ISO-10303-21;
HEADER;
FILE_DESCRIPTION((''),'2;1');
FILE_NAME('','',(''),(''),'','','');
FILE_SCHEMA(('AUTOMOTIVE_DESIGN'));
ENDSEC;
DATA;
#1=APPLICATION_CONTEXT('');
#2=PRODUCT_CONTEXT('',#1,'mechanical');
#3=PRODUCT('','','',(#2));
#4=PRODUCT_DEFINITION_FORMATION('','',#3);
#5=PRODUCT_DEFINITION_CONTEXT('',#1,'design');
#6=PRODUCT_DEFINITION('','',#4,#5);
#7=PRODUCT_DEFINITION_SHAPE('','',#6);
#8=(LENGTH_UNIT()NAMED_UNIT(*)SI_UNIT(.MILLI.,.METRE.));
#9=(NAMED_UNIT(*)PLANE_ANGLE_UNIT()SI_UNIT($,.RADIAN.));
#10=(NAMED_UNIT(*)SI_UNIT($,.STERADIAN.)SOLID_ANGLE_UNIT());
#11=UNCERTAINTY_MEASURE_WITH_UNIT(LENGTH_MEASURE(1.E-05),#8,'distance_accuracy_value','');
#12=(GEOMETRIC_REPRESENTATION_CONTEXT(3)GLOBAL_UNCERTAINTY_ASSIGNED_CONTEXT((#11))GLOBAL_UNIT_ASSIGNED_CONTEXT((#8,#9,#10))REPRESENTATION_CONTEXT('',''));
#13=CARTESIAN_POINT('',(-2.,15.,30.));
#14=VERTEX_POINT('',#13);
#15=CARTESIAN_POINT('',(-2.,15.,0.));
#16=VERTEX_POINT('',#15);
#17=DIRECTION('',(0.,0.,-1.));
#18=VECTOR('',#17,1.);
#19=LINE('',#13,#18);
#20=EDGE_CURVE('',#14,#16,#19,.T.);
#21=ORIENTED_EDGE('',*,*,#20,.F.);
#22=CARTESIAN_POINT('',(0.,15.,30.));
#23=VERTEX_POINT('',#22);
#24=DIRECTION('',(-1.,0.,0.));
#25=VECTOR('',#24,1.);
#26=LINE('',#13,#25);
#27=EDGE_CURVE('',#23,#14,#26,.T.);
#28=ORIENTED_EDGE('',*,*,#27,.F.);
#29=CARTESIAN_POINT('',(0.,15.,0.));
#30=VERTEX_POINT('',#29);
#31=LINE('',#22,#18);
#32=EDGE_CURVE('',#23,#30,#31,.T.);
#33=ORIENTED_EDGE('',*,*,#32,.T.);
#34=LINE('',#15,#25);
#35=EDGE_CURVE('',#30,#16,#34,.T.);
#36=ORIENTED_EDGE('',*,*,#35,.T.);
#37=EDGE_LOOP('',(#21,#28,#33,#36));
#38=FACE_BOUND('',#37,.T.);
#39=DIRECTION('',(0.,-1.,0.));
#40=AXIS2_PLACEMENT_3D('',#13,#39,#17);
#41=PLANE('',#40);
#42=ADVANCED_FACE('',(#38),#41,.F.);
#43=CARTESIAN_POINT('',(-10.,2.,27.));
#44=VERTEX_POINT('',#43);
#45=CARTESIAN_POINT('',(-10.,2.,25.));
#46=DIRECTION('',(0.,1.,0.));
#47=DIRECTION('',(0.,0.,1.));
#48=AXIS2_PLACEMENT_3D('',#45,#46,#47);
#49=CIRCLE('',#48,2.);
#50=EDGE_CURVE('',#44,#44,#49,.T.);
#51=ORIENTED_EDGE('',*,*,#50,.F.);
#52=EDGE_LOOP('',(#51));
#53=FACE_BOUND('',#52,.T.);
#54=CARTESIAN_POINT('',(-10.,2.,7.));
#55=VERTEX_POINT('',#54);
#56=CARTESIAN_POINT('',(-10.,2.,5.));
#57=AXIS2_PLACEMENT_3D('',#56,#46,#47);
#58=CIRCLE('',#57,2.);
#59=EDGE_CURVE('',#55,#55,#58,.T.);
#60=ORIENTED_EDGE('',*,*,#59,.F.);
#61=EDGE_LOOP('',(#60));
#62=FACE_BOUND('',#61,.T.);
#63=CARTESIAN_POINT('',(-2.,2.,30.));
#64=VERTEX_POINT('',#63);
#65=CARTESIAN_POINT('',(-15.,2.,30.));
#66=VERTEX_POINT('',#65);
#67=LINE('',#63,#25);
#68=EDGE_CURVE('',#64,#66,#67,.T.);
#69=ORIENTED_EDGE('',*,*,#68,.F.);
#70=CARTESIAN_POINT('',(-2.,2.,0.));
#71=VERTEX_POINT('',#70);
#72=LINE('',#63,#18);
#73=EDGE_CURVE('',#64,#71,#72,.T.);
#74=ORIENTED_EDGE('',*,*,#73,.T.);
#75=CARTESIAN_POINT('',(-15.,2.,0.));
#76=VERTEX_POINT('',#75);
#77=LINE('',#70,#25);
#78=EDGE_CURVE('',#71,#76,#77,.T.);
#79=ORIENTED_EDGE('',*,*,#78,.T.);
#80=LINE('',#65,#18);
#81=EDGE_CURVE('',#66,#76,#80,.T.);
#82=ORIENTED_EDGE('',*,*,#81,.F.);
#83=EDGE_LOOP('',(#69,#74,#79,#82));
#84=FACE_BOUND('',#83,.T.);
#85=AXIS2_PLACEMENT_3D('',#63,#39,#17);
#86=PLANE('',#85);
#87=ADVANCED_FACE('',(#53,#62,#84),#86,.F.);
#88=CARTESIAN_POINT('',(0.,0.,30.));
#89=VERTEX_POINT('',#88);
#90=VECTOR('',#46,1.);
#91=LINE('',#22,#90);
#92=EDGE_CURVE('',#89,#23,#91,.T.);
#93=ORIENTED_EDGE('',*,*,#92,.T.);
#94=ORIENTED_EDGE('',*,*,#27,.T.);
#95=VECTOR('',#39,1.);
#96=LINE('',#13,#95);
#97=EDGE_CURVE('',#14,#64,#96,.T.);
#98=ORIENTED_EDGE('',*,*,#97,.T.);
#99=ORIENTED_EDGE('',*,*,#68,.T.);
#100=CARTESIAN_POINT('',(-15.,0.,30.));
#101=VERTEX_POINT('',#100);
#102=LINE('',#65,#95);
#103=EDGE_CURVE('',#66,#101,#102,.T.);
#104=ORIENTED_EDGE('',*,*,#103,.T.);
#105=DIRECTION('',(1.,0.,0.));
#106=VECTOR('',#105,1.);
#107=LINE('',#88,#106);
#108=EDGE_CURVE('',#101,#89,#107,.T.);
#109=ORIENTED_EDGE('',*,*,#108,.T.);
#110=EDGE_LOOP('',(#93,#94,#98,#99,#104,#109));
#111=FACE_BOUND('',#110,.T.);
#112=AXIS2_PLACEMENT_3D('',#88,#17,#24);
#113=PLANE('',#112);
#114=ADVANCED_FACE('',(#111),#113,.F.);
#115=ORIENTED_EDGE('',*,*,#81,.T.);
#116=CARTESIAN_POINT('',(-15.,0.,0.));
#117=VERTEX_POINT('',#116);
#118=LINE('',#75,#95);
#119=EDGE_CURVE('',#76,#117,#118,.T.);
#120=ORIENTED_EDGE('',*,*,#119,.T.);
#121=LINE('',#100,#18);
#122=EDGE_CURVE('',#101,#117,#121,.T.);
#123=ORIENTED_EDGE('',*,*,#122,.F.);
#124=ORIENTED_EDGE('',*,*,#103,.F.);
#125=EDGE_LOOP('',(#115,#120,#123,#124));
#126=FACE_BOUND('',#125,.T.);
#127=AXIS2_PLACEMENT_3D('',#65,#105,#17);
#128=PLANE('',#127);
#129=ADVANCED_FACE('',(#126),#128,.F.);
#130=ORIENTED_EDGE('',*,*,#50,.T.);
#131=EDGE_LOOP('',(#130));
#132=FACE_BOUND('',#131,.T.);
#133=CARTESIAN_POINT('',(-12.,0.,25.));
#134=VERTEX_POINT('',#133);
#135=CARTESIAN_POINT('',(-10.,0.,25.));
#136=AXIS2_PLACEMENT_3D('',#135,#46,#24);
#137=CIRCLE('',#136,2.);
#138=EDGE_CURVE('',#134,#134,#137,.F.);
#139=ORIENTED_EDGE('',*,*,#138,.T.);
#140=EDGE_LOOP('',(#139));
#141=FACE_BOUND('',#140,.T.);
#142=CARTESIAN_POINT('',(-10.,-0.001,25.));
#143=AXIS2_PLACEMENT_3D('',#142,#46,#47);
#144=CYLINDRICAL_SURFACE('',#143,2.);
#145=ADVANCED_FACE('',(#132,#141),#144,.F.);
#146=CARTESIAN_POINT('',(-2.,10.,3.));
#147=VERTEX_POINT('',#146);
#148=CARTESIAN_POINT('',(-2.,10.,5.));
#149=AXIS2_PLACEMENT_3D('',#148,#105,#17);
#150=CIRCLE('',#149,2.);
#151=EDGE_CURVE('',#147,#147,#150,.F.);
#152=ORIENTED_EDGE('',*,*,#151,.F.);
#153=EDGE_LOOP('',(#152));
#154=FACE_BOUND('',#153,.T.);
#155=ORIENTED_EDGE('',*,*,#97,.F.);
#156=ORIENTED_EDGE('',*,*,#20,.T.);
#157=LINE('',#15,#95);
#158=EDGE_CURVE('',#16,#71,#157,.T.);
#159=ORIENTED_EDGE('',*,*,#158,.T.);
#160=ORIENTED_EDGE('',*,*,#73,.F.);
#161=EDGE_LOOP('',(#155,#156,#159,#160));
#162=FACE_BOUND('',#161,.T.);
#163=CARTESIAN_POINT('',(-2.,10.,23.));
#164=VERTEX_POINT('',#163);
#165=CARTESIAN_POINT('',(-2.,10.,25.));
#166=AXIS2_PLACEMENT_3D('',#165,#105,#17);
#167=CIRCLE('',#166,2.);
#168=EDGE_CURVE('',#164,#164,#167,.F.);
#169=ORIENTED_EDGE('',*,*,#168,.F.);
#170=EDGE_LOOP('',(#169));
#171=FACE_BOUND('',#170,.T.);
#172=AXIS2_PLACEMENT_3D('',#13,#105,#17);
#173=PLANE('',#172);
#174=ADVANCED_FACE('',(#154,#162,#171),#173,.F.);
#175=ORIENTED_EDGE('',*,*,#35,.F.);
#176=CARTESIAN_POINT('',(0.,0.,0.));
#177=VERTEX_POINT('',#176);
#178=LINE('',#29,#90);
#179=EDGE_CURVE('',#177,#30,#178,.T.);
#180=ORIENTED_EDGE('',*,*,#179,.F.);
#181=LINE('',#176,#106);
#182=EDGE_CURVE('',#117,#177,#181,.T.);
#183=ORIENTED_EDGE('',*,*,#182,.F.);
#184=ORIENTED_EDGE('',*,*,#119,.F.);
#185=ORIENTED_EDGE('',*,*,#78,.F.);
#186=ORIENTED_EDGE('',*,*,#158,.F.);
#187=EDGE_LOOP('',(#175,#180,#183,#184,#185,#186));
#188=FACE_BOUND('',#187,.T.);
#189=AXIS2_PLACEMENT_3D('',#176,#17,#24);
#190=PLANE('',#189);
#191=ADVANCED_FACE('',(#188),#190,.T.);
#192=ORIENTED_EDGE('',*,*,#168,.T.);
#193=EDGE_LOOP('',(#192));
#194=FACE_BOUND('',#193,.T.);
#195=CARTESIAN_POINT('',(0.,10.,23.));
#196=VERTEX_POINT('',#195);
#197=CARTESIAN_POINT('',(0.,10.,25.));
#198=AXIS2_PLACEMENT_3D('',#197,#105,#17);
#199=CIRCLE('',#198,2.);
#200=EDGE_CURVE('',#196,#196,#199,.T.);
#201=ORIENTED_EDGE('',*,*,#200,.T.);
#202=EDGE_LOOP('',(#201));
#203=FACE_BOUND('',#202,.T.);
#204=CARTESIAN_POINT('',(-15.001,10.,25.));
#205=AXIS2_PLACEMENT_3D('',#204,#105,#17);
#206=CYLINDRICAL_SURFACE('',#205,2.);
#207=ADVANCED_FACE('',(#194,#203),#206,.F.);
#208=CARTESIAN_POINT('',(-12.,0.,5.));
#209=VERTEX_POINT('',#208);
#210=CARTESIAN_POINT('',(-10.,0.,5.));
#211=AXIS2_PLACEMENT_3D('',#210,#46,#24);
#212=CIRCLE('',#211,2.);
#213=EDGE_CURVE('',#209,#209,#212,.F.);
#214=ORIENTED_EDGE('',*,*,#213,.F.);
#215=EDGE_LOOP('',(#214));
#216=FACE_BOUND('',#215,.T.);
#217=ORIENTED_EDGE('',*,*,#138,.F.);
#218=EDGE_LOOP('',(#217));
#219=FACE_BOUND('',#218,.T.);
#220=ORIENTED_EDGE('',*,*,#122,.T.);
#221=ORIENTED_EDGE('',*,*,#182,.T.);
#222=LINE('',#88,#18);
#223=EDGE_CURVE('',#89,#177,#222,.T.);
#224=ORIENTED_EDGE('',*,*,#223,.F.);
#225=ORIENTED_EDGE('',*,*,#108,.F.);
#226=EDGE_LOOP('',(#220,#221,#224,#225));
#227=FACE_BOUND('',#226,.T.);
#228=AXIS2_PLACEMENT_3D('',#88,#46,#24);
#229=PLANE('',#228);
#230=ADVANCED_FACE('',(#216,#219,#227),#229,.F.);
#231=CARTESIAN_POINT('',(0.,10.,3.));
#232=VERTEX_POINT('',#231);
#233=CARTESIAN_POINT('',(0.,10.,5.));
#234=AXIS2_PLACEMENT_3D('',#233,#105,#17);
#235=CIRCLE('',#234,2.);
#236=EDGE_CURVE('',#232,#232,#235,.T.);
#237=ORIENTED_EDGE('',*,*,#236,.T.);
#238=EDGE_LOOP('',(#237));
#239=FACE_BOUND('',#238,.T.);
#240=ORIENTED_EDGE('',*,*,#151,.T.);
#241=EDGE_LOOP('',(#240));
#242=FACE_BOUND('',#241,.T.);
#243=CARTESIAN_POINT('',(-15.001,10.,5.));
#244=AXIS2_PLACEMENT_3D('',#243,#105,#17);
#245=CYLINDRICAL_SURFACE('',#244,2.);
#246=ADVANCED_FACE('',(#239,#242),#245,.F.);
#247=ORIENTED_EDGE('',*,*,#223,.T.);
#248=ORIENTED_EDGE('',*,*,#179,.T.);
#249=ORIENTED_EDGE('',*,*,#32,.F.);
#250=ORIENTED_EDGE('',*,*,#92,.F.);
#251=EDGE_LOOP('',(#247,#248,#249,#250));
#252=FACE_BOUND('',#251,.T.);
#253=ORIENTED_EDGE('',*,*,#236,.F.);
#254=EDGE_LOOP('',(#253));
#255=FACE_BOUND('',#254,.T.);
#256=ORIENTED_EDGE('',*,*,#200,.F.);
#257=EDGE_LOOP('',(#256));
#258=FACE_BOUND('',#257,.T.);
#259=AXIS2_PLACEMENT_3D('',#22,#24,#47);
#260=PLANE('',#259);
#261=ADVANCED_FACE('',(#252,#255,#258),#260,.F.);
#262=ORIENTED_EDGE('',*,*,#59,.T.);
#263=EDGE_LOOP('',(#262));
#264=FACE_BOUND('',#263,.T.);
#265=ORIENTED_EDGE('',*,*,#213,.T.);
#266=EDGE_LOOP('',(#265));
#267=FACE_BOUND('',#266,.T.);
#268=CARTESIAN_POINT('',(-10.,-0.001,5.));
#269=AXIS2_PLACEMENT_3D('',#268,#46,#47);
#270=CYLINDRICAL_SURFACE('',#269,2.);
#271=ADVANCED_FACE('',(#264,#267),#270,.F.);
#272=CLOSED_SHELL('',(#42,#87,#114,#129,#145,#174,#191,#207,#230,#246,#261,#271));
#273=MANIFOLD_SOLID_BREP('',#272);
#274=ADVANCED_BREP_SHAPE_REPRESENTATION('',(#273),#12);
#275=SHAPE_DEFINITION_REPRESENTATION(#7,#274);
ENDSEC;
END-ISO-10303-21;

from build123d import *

# Parameters (mm, degrees)
BOSS_EXTRUDE1_DEPTH = 30
CUT_EXTRUDE1_REACH  = 17
SKETCH2_R           = 2
CUT_EXTRUDE2_REACH  = 4
SKETCH3_R           = 2


with BuildPart() as part:
    # Sketch1 → Boss-Extrude1 (new body)
    with BuildSketch(Plane.XY):
        Polygon((0, 15), (0, 0), (-15, 0), (-15, 2), (-2, 2), (-2, 15), align=None)
    extrude(amount=BOSS_EXTRUDE1_DEPTH)

    # Sketch2 → Cut-Extrude1 (cut, up to next)
    with BuildSketch(Plane(origin=(0, 0, 0), x_dir=(0, 0, -1), z_dir=(1, 0, 0)), mode=Mode.PRIVATE) as cut_extrude1_sk1:
        with Locations((-25, 10)):
            Circle(SKETCH2_R)
    cut_extrude1_tool1 = extrude(cut_extrude1_sk1.sketch, amount=-CUT_EXTRUDE1_REACH, mode=Mode.PRIVATE) & part.part
    add(cut_extrude1_tool1.solids().sort_by_distance((0, 10, 25))[0], mode=Mode.SUBTRACT)
    # Sketch2 → Cut-Extrude1 (cut, up to next)
    with BuildSketch(Plane(origin=(0, 0, 0), x_dir=(0, 0, -1), z_dir=(1, 0, 0)), mode=Mode.PRIVATE) as cut_extrude1_sk2:
        with Locations((-5, 10)):
            Circle(SKETCH2_R)
    cut_extrude1_tool2 = extrude(cut_extrude1_sk2.sketch, amount=-CUT_EXTRUDE1_REACH, mode=Mode.PRIVATE) & part.part
    add(cut_extrude1_tool2.solids().sort_by_distance((0, 10, 5))[0], mode=Mode.SUBTRACT)

    # Sketch3 → Cut-Extrude2 (cut, up to next)
    with BuildSketch(Plane(origin=(0, 2, 0), x_dir=(1, 0, 0), z_dir=(0, 1, 0)), mode=Mode.PRIVATE) as cut_extrude2_sk1:
        with Locations((-10, -5)):
            Circle(SKETCH3_R)
    cut_extrude2_tool1 = extrude(cut_extrude2_sk1.sketch, amount=-CUT_EXTRUDE2_REACH, mode=Mode.PRIVATE) & part.part
    add(cut_extrude2_tool1.solids().sort_by_distance((-10, 2, 5))[0], mode=Mode.SUBTRACT)
    # Sketch3 → Cut-Extrude2 (cut, up to next)
    with BuildSketch(Plane(origin=(0, 2, 0), x_dir=(1, 0, 0), z_dir=(0, 1, 0)), mode=Mode.PRIVATE) as cut_extrude2_sk2:
        with Locations((-10, -25)):
            Circle(SKETCH3_R)
    cut_extrude2_tool2 = extrude(cut_extrude2_sk2.sketch, amount=-CUT_EXTRUDE2_REACH, mode=Mode.PRIVATE) & part.part
    add(cut_extrude2_tool2.solids().sort_by_distance((-10, 2, 25))[0], mode=Mode.SUBTRACT)


solid = part.part
